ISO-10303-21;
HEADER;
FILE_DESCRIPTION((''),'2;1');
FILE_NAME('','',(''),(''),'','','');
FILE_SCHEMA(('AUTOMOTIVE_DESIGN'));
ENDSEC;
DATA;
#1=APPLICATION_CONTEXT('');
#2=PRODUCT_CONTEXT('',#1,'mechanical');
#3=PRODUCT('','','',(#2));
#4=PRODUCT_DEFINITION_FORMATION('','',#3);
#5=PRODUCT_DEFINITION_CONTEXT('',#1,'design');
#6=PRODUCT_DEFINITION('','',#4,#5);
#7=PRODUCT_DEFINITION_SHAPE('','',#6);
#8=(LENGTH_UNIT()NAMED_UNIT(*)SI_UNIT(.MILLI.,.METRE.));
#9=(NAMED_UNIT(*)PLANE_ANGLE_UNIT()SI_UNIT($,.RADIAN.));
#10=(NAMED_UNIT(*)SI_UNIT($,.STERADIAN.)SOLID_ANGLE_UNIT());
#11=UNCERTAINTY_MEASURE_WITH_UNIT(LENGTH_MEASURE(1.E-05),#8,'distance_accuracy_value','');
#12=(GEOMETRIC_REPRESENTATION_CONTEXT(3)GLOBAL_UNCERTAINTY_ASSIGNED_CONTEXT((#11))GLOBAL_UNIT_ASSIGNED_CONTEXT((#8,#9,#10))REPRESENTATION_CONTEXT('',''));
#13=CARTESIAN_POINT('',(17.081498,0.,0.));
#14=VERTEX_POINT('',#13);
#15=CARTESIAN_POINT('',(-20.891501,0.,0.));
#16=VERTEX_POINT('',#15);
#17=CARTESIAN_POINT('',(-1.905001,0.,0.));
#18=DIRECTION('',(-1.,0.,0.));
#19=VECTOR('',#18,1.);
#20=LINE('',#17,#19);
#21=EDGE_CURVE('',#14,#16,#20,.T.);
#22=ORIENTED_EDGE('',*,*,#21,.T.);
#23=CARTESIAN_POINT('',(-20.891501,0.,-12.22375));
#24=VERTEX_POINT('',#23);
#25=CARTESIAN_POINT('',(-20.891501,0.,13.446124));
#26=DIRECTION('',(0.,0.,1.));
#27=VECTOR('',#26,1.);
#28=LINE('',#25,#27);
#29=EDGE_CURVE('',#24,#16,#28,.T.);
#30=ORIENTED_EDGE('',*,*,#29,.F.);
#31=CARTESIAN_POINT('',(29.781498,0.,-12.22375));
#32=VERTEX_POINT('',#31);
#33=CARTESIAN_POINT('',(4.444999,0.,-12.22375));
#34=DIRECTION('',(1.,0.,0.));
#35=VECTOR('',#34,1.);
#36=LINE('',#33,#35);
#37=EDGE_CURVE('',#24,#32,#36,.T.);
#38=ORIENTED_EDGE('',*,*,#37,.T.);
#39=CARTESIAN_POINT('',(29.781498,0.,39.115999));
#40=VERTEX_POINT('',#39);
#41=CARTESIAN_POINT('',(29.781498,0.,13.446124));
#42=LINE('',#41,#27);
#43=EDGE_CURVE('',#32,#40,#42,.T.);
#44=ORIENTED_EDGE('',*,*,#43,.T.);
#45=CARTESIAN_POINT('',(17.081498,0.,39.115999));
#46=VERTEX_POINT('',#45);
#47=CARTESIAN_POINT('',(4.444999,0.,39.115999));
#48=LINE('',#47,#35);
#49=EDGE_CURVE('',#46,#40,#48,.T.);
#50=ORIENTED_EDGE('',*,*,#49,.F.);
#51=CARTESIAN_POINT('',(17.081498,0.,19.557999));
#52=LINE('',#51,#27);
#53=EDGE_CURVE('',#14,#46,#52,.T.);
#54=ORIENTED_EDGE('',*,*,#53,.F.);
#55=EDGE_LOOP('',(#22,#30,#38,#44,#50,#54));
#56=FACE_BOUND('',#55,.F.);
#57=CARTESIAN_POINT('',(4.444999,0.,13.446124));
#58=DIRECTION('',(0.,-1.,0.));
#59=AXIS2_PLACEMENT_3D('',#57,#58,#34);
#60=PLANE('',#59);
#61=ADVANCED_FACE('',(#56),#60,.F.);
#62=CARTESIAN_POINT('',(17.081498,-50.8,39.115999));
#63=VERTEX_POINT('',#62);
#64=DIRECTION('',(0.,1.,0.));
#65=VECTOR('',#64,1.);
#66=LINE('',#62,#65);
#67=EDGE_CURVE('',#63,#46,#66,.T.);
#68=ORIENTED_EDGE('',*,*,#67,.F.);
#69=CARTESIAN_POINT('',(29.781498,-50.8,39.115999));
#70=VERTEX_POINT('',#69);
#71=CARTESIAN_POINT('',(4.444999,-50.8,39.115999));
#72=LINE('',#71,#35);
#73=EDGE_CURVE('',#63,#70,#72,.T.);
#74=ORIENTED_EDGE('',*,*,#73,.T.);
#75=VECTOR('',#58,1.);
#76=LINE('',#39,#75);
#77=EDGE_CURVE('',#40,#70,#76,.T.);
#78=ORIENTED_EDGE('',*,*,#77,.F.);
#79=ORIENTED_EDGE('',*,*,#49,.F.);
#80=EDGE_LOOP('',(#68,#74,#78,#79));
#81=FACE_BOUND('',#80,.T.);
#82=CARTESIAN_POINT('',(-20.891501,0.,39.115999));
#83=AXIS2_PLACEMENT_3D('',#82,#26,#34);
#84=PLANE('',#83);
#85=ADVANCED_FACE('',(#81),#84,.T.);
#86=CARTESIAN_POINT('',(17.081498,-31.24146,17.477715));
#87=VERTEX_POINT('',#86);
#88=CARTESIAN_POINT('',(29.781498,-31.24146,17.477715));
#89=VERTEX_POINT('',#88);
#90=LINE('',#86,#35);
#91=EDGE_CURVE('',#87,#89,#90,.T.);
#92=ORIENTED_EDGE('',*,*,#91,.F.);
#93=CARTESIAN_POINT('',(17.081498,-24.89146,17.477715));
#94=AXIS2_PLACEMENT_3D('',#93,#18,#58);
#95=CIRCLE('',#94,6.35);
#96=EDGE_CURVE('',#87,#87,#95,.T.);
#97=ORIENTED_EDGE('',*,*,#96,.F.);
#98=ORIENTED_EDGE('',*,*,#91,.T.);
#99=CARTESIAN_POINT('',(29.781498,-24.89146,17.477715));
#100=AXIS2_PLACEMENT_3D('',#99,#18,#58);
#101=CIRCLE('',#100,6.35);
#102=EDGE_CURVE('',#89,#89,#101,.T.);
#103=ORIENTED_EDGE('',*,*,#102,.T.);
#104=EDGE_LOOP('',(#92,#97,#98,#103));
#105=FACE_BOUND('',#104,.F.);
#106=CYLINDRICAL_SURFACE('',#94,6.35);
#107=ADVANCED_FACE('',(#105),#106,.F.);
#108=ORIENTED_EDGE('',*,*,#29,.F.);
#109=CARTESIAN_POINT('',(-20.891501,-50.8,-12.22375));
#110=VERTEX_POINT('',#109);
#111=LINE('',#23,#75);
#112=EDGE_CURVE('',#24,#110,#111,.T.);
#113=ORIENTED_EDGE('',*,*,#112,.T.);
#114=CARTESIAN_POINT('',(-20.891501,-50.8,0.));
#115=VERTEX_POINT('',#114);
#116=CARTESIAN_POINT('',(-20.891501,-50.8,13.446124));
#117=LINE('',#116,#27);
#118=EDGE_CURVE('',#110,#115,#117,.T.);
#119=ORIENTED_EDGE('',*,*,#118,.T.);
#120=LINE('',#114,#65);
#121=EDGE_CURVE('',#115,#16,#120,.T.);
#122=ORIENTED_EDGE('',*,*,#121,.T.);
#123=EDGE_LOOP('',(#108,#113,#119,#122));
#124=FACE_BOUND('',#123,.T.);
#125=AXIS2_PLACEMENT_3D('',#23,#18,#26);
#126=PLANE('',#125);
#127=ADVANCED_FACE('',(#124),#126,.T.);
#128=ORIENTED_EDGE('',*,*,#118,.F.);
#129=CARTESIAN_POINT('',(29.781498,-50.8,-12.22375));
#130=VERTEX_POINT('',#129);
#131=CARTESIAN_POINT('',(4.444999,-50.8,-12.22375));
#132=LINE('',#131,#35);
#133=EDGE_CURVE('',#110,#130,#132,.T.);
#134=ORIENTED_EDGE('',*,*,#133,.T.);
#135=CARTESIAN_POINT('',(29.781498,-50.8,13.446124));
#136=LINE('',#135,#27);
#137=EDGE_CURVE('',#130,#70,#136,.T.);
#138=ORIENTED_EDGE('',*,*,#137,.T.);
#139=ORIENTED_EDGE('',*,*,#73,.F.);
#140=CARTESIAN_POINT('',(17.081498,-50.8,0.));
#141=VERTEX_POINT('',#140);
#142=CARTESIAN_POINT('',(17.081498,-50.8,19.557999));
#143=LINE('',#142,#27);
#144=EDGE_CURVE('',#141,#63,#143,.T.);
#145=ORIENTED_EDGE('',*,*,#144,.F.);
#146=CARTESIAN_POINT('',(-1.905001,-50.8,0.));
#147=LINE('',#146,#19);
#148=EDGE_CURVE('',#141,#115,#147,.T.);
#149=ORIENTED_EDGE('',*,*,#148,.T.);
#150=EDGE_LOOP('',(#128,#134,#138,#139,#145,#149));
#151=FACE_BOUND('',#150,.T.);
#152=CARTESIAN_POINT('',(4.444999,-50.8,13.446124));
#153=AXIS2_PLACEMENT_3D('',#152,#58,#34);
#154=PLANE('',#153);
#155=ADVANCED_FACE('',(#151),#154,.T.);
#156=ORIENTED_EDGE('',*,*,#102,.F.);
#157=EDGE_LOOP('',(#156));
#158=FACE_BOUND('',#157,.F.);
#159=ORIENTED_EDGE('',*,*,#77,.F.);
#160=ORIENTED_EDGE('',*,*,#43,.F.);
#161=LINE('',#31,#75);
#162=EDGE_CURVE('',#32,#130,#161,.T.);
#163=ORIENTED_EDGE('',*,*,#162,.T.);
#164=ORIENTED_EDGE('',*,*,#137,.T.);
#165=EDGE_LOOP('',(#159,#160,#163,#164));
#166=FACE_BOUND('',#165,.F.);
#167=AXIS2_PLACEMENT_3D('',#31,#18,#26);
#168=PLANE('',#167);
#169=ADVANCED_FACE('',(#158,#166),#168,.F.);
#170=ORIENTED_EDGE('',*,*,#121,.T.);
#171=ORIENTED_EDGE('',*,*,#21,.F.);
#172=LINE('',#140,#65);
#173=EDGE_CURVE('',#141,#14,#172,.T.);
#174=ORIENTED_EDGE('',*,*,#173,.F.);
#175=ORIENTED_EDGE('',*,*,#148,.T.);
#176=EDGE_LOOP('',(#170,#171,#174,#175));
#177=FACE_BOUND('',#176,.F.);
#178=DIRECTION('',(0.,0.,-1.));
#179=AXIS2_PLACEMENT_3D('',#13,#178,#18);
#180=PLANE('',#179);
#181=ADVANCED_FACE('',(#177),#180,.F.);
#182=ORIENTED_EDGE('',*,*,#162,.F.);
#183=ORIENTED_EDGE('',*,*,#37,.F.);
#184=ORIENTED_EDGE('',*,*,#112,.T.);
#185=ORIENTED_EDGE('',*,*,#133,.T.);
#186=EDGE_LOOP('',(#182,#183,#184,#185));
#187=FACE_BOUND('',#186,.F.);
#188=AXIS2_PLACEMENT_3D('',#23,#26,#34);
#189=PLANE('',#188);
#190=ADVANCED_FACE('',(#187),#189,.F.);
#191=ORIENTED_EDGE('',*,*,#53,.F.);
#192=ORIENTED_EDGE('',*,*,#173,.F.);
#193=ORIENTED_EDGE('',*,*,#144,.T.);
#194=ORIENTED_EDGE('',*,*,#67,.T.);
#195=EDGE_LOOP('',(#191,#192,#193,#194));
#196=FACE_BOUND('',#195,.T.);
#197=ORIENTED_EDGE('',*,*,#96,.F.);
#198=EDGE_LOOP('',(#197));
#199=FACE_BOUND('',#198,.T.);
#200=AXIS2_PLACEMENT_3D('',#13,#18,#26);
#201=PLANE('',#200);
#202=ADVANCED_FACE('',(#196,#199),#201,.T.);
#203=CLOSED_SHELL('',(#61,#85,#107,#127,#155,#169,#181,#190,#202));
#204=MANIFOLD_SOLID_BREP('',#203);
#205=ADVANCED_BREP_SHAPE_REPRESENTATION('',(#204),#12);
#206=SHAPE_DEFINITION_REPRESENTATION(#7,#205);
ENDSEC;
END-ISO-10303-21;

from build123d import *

# Parameters (mm, degrees)
F0_W     = 50.6729986519
F0_H     = 51.3397492468
F1_DEPTH = 50.8
F2_W     = 37.9729986519
F2_H     = 39.115998894
F5_DEPTH = 25.4
F6_DEPTH = 25.4
F7_R     = 6.35
F8_DEPTH = 25.4


with BuildPart() as f1:
    # F0 (on Front) → F1 (new body)
    with BuildSketch(Plane.XZ):
        with Locations((4.444998689, 13.4461242706)):
            Rectangle(F0_W, F0_H)
    extrude(amount=F1_DEPTH)

    # F2 (on face) → F5 (cut)
    with BuildSketch(Plane(origin=(0, 0, 0), x_dir=(-1, 0, 0), z_dir=(0, 1, 0))):
        with Locations((1.905001311, 19.557999447)):
            Rectangle(F2_W, F2_H)
    extrude(amount=-F5_DEPTH, mode=Mode.SUBTRACT)

    # F6 (cut): a face of the model
    f6_faces = [f1.faces().sort_by_distance(p)[0] for p in [
        (-1.905001311, -25.4, 19.557999447),
    ]]
    extrude(f6_faces, amount=-F6_DEPTH, mode=Mode.SUBTRACT)

    # F7 (on face) → F8 (cut)
    with BuildSketch(Plane(origin=(17.0814980149, 0, 0), x_dir=(0, -1, 0), z_dir=(-1, 0, 0))):
        with Locations((24.8914603144, 17.4777153879)):
            Circle(F7_R)
    extrude(amount=-F8_DEPTH, mode=Mode.SUBTRACT)


solid = f1.part
